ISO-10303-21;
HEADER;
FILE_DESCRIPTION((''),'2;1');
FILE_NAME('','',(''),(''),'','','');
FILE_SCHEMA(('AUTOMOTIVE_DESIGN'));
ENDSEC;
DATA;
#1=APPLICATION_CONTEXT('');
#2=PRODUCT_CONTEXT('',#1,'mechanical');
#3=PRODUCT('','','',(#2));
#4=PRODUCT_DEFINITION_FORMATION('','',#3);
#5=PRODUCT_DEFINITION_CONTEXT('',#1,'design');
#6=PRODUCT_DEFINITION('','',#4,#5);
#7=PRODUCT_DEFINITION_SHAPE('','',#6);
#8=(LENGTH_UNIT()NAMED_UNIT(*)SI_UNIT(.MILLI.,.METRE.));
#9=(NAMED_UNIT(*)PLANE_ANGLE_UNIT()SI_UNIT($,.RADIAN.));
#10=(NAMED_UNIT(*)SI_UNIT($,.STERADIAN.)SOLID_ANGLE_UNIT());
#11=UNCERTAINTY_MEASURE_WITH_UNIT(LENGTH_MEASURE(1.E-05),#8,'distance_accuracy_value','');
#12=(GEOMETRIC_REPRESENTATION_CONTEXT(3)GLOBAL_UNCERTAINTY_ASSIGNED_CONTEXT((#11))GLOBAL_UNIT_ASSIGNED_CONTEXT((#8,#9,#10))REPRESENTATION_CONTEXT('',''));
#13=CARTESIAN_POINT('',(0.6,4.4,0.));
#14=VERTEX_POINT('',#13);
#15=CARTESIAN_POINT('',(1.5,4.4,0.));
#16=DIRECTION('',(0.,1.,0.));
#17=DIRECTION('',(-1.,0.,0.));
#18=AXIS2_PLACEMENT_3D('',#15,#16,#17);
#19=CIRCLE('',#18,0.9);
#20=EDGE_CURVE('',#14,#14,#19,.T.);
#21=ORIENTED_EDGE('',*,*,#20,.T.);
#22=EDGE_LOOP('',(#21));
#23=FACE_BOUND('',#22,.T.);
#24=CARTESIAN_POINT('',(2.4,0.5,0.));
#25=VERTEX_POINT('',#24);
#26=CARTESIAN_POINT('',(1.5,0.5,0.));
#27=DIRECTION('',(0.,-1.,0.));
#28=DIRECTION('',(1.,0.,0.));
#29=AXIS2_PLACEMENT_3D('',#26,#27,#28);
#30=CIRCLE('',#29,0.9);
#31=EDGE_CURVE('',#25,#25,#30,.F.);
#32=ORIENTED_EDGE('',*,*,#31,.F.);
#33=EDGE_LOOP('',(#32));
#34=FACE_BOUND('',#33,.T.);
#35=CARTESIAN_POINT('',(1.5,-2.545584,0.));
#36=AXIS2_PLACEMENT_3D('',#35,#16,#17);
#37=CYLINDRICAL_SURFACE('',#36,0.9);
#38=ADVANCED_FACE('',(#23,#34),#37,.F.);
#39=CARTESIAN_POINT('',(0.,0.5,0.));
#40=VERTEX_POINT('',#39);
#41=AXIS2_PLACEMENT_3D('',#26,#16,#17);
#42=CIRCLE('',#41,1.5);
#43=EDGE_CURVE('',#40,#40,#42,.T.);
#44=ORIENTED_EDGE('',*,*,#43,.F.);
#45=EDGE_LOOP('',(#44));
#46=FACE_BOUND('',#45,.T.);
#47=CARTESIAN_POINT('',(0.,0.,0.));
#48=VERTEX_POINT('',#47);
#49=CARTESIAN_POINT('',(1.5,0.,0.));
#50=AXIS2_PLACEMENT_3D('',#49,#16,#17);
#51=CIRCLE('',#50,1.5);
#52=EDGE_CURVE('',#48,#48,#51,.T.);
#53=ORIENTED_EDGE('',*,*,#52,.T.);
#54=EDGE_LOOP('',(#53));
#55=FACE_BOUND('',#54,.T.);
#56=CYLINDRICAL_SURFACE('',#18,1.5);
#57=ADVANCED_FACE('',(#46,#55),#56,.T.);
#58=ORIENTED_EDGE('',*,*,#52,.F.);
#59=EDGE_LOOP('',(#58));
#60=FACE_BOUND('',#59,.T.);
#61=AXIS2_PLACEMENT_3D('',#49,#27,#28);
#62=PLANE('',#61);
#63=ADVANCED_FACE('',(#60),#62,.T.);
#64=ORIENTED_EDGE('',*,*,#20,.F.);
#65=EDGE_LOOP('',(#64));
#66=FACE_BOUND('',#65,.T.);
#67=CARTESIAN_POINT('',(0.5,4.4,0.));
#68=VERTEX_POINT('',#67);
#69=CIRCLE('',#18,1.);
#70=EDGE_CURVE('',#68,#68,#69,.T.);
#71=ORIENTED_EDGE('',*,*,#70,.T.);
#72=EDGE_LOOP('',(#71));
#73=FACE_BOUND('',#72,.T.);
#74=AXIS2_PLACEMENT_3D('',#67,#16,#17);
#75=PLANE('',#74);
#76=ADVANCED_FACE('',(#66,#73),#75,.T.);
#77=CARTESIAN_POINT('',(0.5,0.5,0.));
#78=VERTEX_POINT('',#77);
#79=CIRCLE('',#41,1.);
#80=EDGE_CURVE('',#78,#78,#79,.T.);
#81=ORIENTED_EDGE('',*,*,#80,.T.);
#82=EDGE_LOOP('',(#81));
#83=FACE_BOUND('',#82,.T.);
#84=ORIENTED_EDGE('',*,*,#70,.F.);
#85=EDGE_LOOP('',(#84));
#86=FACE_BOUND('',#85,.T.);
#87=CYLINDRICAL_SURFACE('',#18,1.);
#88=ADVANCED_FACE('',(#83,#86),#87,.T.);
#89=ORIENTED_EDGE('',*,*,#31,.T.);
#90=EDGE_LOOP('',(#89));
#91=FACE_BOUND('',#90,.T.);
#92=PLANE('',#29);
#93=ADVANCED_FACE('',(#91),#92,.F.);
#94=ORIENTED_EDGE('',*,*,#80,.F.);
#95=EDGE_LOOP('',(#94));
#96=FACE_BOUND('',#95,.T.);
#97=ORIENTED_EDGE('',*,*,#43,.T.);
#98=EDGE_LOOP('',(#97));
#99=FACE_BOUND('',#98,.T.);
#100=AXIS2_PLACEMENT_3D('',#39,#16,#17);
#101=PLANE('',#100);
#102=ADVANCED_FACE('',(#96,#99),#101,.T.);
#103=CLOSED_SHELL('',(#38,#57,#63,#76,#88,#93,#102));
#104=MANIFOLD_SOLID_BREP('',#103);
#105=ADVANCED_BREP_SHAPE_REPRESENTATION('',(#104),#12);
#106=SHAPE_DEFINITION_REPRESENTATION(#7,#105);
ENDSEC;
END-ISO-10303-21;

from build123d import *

# Parameters (mm, degrees)
SKETCH_2_R          = 0.9
CUT_EXTRUDE_1_DEPTH = 3.9


with BuildPart() as part:
    # ｽｹｯﾁ1 → 回転1 (revolve)
    with BuildSketch(Plane.XY):
        Polygon((0, 0), (0, 0.5), (0.5, 0.5), (0.5, 4.4), (1.5, 4.4), (1.5, 0), align=None)
    revolve(axis=Axis((1.5, 4.4, 0), (0, -1, 0)))

    # ｽｹｯﾁ2 → ｶｯﾄ - 押し出し1 (cut)
    with BuildSketch(Plane(origin=(0, 4.4, 0), x_dir=(1, 0, 0), z_dir=(0, 1, 0))):
        with Locations(Location((1.5, 0, 0), (0, 0, 180))):
            Circle(SKETCH_2_R)
    extrude(amount=-CUT_EXTRUDE_1_DEPTH, mode=Mode.SUBTRACT)


solid = part.part
